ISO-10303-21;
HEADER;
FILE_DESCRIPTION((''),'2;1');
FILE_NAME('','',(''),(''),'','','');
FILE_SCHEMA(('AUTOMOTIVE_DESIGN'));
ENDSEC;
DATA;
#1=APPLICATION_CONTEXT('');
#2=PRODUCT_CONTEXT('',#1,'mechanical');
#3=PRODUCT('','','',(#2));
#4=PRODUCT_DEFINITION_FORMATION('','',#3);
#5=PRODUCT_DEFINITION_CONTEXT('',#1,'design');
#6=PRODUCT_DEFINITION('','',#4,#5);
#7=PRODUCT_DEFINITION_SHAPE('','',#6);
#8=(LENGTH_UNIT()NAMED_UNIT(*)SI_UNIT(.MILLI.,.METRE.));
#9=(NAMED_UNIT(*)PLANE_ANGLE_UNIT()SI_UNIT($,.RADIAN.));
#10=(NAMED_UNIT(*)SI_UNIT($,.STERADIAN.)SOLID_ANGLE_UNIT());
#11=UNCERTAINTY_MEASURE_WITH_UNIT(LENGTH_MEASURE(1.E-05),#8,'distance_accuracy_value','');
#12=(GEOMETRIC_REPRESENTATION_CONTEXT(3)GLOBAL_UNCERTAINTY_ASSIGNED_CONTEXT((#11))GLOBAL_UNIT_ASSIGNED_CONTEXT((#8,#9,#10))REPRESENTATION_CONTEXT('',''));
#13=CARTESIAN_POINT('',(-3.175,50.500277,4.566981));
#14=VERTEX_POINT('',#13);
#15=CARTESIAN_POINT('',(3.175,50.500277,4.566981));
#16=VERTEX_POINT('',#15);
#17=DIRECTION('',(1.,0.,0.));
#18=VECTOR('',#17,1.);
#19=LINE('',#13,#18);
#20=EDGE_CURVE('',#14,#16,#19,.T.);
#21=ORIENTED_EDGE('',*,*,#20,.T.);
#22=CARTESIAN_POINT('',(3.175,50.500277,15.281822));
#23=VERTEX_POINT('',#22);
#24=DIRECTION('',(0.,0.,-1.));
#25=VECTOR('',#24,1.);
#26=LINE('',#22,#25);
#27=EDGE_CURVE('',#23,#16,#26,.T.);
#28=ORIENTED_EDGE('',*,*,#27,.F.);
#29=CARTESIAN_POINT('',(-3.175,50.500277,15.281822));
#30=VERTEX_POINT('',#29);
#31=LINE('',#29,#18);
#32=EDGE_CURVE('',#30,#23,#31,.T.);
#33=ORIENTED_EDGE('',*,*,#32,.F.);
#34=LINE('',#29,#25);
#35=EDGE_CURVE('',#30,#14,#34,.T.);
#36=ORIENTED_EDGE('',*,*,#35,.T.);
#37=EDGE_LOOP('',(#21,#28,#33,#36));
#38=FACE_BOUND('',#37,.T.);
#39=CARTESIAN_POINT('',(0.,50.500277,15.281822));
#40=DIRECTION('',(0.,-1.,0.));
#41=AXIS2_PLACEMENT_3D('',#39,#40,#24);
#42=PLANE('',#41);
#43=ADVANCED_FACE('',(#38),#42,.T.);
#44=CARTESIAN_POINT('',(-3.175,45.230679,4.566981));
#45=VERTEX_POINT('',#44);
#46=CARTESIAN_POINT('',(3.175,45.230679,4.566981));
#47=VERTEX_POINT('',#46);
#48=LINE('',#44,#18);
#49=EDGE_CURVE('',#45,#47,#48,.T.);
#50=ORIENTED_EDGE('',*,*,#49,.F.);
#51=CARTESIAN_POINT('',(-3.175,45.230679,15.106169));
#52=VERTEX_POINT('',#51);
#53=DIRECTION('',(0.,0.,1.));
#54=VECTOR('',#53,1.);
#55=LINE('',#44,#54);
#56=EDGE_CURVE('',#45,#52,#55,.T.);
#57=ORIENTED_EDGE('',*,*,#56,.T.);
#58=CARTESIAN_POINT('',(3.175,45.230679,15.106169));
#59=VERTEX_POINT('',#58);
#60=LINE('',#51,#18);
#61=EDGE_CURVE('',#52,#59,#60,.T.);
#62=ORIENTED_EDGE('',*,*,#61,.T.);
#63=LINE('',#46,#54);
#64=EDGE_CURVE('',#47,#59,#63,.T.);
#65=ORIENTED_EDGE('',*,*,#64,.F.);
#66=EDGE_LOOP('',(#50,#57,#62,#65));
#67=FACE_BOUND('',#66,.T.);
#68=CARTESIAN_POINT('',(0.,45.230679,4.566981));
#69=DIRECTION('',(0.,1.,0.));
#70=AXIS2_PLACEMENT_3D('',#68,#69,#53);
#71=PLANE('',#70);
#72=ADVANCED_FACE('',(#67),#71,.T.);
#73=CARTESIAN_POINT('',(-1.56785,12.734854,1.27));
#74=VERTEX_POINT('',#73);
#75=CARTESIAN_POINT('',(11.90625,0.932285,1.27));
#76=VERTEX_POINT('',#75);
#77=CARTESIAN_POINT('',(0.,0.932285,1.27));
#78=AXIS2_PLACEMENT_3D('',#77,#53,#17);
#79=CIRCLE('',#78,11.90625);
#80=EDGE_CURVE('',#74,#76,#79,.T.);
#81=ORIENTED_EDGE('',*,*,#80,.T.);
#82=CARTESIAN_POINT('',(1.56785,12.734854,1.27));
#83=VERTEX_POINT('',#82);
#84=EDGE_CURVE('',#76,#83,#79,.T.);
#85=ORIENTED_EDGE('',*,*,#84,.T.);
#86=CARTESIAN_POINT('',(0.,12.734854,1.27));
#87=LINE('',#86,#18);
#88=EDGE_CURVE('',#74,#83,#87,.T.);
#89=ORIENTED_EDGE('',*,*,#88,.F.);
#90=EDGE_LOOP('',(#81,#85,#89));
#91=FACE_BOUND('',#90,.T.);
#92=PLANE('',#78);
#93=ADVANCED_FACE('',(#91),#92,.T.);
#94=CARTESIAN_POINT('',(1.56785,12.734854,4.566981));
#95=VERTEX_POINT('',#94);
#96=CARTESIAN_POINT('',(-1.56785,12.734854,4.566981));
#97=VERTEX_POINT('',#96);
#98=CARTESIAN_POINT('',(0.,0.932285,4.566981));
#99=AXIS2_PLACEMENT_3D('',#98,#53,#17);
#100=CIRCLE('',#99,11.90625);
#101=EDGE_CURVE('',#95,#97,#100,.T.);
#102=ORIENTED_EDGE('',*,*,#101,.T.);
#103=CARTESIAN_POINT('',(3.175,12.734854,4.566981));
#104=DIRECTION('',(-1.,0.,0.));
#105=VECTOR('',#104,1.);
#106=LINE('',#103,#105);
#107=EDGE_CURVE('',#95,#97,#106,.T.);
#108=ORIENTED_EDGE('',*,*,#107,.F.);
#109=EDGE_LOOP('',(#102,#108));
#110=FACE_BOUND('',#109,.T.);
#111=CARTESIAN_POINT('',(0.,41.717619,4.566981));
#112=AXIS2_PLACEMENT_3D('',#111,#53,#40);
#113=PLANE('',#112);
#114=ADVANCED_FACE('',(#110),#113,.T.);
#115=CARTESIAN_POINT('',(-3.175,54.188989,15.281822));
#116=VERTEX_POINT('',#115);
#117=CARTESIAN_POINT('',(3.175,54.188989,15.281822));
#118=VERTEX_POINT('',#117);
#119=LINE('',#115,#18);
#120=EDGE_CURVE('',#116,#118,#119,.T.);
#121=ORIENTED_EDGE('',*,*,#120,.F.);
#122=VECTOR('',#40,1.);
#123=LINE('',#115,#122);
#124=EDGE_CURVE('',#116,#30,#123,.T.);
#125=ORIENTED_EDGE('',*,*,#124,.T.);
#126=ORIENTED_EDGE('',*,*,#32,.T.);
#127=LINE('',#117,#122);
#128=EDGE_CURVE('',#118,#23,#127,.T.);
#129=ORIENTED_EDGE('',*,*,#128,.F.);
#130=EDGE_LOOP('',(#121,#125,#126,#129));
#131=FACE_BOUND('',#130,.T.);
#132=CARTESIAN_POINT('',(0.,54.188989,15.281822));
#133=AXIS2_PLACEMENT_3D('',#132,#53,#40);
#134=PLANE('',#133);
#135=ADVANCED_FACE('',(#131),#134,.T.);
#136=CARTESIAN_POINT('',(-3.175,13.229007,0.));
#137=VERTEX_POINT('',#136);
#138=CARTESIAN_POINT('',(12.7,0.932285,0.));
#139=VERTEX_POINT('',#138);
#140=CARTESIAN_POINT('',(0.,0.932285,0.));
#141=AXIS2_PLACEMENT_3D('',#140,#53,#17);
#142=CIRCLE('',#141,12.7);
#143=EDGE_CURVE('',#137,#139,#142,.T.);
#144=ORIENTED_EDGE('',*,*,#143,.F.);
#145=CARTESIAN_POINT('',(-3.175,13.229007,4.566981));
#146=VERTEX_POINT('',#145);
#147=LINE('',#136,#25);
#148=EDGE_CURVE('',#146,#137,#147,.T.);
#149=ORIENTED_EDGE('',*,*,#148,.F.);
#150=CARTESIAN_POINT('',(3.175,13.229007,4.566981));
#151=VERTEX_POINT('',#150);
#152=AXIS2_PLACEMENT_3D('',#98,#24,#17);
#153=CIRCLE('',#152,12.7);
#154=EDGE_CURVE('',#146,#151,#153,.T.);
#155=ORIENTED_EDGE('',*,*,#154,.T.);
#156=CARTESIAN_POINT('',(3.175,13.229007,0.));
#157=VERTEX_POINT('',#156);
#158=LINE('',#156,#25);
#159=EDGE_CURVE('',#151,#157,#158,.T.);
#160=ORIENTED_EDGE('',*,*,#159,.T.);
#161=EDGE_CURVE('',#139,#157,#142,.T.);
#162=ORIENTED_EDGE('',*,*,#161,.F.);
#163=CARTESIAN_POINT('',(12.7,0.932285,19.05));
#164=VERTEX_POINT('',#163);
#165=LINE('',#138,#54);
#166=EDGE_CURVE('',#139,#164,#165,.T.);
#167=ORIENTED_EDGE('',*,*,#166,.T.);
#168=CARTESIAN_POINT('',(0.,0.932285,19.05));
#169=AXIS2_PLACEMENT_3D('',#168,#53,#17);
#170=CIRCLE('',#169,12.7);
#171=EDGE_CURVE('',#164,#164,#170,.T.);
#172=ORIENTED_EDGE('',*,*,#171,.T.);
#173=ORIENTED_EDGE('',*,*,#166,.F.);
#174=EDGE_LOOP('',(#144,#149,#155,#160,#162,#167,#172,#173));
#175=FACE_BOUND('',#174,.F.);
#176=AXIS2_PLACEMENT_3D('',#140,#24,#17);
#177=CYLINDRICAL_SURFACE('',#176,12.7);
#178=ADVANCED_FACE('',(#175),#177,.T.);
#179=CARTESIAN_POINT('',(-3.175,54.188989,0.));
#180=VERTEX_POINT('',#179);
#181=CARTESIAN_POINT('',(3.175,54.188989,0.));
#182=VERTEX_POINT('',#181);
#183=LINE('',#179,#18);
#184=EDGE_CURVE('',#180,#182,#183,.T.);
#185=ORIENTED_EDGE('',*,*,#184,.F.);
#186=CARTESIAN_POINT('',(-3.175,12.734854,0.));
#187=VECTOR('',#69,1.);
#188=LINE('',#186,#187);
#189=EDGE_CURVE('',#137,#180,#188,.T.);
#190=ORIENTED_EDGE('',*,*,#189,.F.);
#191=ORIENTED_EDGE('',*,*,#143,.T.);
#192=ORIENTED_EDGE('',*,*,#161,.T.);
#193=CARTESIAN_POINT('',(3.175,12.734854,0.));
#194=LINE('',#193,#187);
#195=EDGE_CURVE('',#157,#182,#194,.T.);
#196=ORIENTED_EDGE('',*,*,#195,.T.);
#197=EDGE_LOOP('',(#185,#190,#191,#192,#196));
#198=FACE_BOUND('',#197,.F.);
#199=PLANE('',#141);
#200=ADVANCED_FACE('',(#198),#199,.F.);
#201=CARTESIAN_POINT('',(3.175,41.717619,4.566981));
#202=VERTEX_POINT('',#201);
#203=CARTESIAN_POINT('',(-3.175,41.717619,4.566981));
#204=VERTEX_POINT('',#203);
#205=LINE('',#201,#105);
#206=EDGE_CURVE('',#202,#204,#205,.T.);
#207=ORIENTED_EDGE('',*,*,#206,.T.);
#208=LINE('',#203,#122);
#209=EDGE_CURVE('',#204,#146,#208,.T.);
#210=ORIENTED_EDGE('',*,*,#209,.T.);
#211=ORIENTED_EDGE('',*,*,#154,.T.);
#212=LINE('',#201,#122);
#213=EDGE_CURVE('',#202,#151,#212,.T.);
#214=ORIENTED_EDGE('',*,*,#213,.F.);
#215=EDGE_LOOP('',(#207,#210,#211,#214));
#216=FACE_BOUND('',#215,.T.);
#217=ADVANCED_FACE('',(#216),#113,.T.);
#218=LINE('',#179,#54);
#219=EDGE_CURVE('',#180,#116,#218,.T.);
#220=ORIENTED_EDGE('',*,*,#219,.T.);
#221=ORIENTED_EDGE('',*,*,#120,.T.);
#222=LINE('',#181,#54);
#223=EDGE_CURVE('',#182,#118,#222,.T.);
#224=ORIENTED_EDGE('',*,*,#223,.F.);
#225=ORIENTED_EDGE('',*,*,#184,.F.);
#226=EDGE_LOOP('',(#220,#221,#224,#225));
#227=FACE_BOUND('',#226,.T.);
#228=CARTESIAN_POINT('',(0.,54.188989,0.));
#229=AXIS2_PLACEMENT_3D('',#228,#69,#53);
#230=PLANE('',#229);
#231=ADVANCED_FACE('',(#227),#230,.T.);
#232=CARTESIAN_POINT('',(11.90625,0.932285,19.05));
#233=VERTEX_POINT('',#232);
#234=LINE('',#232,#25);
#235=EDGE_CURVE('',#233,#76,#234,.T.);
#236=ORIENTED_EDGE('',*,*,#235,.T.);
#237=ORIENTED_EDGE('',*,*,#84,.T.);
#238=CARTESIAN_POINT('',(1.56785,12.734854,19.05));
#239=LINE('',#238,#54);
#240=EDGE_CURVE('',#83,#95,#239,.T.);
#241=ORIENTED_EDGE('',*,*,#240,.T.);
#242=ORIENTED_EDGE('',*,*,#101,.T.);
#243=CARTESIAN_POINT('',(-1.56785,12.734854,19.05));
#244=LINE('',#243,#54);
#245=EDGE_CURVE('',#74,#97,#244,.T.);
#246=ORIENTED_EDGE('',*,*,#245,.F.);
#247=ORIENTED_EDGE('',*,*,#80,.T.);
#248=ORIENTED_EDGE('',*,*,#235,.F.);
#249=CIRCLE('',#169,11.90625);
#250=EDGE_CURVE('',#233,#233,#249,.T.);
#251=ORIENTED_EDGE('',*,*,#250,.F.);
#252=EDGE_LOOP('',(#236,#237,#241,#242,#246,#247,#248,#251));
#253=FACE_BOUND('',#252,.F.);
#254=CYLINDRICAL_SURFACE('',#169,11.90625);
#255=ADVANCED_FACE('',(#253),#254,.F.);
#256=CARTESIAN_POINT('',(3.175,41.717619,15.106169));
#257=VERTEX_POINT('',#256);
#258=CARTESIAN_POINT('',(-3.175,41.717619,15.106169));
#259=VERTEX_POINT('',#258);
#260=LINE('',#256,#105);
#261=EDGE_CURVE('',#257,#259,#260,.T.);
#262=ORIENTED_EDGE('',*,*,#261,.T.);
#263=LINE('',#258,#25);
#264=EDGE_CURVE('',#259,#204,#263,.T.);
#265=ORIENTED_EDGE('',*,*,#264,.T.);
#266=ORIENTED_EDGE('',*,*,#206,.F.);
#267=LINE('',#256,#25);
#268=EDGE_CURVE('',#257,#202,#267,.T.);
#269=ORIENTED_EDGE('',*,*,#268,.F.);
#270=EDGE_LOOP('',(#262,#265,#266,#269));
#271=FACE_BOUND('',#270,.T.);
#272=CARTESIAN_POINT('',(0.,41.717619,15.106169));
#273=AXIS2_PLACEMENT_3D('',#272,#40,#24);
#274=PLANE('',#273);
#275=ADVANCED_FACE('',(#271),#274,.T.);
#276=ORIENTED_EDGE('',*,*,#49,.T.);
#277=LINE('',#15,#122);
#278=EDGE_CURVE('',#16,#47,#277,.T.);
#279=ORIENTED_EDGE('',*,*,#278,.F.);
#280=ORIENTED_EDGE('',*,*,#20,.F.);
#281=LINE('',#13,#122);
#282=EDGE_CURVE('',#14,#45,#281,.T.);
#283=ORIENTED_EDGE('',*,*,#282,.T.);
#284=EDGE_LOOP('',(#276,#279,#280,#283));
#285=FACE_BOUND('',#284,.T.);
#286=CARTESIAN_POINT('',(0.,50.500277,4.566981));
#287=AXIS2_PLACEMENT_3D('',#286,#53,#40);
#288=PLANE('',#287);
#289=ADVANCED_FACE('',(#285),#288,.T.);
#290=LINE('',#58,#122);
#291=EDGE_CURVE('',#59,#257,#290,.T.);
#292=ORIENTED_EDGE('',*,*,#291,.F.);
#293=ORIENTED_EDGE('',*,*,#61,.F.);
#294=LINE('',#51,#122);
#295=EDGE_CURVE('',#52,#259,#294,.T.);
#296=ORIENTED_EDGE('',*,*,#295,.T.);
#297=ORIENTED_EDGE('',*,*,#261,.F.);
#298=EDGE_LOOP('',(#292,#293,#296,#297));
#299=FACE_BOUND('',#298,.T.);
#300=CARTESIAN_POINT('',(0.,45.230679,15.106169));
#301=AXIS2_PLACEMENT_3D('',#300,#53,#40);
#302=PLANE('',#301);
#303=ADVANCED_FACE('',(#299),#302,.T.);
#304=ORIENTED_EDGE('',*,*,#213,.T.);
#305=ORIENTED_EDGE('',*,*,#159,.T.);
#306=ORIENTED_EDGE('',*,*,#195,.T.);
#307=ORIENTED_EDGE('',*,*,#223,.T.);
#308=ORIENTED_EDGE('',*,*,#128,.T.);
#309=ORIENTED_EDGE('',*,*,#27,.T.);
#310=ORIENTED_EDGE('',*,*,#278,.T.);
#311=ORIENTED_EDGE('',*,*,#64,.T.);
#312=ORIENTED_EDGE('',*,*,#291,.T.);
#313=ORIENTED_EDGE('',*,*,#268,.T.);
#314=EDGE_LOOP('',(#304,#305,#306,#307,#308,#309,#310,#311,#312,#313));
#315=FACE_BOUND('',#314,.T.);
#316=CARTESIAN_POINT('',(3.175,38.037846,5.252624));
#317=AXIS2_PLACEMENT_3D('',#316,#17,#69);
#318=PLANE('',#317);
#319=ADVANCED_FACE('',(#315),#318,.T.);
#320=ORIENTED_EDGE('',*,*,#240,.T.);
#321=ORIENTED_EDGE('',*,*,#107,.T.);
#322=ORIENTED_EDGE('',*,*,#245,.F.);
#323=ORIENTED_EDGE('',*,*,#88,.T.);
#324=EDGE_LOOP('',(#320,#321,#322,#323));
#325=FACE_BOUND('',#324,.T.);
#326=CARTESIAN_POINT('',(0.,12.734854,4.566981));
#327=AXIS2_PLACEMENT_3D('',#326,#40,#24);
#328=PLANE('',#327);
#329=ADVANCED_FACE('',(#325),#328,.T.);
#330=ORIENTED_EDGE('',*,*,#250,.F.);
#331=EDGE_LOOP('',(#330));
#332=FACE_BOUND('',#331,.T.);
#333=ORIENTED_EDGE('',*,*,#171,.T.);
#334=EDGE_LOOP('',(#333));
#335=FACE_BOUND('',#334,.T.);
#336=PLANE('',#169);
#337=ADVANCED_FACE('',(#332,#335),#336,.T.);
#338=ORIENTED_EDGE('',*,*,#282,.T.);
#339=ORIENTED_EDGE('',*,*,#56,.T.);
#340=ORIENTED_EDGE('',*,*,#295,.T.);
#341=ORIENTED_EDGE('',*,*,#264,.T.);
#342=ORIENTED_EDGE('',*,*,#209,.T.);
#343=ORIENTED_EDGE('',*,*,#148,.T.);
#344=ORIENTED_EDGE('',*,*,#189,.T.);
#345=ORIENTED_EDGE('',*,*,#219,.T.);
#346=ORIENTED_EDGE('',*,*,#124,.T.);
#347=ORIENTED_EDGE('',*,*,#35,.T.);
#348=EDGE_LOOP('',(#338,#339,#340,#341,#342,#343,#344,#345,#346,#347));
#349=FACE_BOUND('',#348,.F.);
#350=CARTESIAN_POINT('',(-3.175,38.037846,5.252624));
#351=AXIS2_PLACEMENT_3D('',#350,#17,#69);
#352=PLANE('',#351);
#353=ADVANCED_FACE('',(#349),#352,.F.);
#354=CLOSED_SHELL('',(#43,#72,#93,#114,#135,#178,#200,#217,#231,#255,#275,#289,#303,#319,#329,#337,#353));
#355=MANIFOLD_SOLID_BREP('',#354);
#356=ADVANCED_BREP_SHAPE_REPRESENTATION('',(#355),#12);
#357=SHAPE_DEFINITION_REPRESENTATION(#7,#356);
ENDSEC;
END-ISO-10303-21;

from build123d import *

# Parameters (mm, degrees)
F0_R     = 12.7
F1_DEPTH = 19.05
F2_R     = 11.90625
F3_DEPTH = 17.78
F5_DEPTH = 3.175


with BuildPart() as f1:
    # F0 (on Top) → F1 (new body)
    with BuildSketch(Plane.XY):
        with Locations((0, 0.932285)):
            Circle(F0_R)
    extrude(amount=F1_DEPTH)

    # F2 (on face) → F3 (cut)
    with BuildSketch(Plane.XY.offset(19.05)):
        with Locations((0, 0.932285)):
            Circle(F2_R)
    extrude(amount=-F3_DEPTH, mode=Mode.SUBTRACT)

    # F4 (on Right) → F5 (join, symmetric)
    with BuildSketch(Plane.YZ):
        Polygon((12.734854, 4.566981), (12.734854, 0), (54.188989, 0), (54.188989, 4.566981), (54.188989, 15.281822), (50.500277, 15.281822), (50.500277, 4.566981), (45.230679, 4.566981), (45.230679, 15.106169), (41.717619, 15.106169), (41.717619, 4.566981), align=None)
    extrude(amount=F5_DEPTH, both=True)


solid = f1.part
